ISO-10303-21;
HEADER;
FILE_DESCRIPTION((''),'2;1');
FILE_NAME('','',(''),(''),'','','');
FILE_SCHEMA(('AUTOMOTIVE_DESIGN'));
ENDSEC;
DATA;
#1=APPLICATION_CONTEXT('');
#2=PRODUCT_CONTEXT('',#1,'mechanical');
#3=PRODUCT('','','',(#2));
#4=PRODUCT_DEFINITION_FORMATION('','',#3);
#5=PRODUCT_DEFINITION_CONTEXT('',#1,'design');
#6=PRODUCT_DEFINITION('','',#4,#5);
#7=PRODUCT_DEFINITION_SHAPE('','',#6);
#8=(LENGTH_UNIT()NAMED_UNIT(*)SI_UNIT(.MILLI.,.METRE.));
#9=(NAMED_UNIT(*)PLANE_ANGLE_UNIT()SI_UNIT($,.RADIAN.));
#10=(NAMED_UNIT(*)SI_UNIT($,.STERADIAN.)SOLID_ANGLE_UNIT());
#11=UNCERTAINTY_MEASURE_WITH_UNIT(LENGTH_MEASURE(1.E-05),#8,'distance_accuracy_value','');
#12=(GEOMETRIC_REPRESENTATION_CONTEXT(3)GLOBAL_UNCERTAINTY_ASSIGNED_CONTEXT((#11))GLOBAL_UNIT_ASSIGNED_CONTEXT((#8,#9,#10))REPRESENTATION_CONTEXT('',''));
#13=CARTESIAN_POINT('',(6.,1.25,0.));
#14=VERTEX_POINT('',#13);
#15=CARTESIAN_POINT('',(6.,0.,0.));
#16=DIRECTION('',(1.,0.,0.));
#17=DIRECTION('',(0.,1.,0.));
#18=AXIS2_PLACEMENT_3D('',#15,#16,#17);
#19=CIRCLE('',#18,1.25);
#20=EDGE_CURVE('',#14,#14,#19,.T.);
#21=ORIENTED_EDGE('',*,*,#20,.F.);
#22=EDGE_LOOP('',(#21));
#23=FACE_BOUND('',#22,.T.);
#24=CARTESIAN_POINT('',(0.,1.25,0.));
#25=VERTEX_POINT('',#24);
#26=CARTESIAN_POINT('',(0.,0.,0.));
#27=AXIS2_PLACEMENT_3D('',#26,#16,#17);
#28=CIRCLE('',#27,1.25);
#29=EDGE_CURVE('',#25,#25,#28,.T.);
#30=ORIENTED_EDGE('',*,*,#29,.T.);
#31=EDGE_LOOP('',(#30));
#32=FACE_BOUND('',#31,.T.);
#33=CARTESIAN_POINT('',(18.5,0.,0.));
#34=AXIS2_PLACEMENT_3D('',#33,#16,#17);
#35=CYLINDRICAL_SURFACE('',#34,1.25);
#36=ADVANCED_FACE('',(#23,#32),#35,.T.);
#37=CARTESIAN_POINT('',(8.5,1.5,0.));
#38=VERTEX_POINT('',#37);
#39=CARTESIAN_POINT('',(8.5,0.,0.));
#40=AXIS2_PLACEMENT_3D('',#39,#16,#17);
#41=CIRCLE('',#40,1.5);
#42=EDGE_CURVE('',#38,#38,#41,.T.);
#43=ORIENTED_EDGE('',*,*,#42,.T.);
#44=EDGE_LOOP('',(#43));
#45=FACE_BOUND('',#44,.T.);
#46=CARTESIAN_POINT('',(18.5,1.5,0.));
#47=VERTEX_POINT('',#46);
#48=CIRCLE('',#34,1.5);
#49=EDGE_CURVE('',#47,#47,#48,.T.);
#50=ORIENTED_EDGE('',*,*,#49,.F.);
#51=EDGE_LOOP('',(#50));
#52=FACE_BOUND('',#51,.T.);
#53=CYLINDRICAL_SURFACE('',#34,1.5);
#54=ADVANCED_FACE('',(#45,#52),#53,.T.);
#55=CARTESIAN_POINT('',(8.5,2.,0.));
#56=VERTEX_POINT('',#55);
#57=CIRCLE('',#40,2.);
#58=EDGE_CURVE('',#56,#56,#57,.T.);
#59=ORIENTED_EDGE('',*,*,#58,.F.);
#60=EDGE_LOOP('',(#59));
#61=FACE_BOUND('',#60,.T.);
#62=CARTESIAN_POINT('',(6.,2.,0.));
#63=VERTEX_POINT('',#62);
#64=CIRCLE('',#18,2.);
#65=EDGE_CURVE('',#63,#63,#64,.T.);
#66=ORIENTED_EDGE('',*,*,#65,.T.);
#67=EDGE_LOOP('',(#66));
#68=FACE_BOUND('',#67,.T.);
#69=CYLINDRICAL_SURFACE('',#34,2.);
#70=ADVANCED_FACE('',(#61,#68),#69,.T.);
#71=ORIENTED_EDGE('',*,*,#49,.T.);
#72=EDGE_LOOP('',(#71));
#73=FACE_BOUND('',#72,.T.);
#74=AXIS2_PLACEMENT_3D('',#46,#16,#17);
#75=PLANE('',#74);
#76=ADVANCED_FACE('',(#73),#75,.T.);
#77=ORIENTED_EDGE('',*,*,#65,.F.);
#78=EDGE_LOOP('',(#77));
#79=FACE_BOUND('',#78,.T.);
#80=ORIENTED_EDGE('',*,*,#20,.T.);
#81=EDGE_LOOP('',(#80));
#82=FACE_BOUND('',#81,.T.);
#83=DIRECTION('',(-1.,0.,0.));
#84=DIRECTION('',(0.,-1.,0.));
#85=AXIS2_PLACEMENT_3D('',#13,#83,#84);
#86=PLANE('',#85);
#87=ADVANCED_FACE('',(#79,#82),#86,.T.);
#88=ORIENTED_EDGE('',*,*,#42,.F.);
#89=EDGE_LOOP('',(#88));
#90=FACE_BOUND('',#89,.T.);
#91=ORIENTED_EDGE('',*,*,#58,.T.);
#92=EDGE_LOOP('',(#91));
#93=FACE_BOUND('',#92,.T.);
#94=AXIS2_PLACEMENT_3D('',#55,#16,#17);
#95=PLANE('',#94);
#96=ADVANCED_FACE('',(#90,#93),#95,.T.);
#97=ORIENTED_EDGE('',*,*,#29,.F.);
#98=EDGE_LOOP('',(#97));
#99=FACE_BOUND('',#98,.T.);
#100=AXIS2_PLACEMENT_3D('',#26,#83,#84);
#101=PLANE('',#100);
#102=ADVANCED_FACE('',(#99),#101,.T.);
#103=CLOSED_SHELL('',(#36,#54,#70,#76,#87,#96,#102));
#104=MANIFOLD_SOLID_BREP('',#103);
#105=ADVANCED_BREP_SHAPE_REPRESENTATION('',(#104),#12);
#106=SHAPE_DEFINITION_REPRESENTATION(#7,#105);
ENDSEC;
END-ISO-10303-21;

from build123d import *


with BuildPart() as part:
    # Sketch1 → Revolve1 (revolve)
    with BuildSketch(Plane.XY):
        Polygon((0, 0), (0, 1.25), (6, 1.25), (6, 2), (8.5, 2), (8.5, 1.5), (18.5, 1.5), (18.5, 0), align=None)
    revolve(axis=Axis((18.5, 0, 0), (-1, 0, 0)))


solid = part.part
